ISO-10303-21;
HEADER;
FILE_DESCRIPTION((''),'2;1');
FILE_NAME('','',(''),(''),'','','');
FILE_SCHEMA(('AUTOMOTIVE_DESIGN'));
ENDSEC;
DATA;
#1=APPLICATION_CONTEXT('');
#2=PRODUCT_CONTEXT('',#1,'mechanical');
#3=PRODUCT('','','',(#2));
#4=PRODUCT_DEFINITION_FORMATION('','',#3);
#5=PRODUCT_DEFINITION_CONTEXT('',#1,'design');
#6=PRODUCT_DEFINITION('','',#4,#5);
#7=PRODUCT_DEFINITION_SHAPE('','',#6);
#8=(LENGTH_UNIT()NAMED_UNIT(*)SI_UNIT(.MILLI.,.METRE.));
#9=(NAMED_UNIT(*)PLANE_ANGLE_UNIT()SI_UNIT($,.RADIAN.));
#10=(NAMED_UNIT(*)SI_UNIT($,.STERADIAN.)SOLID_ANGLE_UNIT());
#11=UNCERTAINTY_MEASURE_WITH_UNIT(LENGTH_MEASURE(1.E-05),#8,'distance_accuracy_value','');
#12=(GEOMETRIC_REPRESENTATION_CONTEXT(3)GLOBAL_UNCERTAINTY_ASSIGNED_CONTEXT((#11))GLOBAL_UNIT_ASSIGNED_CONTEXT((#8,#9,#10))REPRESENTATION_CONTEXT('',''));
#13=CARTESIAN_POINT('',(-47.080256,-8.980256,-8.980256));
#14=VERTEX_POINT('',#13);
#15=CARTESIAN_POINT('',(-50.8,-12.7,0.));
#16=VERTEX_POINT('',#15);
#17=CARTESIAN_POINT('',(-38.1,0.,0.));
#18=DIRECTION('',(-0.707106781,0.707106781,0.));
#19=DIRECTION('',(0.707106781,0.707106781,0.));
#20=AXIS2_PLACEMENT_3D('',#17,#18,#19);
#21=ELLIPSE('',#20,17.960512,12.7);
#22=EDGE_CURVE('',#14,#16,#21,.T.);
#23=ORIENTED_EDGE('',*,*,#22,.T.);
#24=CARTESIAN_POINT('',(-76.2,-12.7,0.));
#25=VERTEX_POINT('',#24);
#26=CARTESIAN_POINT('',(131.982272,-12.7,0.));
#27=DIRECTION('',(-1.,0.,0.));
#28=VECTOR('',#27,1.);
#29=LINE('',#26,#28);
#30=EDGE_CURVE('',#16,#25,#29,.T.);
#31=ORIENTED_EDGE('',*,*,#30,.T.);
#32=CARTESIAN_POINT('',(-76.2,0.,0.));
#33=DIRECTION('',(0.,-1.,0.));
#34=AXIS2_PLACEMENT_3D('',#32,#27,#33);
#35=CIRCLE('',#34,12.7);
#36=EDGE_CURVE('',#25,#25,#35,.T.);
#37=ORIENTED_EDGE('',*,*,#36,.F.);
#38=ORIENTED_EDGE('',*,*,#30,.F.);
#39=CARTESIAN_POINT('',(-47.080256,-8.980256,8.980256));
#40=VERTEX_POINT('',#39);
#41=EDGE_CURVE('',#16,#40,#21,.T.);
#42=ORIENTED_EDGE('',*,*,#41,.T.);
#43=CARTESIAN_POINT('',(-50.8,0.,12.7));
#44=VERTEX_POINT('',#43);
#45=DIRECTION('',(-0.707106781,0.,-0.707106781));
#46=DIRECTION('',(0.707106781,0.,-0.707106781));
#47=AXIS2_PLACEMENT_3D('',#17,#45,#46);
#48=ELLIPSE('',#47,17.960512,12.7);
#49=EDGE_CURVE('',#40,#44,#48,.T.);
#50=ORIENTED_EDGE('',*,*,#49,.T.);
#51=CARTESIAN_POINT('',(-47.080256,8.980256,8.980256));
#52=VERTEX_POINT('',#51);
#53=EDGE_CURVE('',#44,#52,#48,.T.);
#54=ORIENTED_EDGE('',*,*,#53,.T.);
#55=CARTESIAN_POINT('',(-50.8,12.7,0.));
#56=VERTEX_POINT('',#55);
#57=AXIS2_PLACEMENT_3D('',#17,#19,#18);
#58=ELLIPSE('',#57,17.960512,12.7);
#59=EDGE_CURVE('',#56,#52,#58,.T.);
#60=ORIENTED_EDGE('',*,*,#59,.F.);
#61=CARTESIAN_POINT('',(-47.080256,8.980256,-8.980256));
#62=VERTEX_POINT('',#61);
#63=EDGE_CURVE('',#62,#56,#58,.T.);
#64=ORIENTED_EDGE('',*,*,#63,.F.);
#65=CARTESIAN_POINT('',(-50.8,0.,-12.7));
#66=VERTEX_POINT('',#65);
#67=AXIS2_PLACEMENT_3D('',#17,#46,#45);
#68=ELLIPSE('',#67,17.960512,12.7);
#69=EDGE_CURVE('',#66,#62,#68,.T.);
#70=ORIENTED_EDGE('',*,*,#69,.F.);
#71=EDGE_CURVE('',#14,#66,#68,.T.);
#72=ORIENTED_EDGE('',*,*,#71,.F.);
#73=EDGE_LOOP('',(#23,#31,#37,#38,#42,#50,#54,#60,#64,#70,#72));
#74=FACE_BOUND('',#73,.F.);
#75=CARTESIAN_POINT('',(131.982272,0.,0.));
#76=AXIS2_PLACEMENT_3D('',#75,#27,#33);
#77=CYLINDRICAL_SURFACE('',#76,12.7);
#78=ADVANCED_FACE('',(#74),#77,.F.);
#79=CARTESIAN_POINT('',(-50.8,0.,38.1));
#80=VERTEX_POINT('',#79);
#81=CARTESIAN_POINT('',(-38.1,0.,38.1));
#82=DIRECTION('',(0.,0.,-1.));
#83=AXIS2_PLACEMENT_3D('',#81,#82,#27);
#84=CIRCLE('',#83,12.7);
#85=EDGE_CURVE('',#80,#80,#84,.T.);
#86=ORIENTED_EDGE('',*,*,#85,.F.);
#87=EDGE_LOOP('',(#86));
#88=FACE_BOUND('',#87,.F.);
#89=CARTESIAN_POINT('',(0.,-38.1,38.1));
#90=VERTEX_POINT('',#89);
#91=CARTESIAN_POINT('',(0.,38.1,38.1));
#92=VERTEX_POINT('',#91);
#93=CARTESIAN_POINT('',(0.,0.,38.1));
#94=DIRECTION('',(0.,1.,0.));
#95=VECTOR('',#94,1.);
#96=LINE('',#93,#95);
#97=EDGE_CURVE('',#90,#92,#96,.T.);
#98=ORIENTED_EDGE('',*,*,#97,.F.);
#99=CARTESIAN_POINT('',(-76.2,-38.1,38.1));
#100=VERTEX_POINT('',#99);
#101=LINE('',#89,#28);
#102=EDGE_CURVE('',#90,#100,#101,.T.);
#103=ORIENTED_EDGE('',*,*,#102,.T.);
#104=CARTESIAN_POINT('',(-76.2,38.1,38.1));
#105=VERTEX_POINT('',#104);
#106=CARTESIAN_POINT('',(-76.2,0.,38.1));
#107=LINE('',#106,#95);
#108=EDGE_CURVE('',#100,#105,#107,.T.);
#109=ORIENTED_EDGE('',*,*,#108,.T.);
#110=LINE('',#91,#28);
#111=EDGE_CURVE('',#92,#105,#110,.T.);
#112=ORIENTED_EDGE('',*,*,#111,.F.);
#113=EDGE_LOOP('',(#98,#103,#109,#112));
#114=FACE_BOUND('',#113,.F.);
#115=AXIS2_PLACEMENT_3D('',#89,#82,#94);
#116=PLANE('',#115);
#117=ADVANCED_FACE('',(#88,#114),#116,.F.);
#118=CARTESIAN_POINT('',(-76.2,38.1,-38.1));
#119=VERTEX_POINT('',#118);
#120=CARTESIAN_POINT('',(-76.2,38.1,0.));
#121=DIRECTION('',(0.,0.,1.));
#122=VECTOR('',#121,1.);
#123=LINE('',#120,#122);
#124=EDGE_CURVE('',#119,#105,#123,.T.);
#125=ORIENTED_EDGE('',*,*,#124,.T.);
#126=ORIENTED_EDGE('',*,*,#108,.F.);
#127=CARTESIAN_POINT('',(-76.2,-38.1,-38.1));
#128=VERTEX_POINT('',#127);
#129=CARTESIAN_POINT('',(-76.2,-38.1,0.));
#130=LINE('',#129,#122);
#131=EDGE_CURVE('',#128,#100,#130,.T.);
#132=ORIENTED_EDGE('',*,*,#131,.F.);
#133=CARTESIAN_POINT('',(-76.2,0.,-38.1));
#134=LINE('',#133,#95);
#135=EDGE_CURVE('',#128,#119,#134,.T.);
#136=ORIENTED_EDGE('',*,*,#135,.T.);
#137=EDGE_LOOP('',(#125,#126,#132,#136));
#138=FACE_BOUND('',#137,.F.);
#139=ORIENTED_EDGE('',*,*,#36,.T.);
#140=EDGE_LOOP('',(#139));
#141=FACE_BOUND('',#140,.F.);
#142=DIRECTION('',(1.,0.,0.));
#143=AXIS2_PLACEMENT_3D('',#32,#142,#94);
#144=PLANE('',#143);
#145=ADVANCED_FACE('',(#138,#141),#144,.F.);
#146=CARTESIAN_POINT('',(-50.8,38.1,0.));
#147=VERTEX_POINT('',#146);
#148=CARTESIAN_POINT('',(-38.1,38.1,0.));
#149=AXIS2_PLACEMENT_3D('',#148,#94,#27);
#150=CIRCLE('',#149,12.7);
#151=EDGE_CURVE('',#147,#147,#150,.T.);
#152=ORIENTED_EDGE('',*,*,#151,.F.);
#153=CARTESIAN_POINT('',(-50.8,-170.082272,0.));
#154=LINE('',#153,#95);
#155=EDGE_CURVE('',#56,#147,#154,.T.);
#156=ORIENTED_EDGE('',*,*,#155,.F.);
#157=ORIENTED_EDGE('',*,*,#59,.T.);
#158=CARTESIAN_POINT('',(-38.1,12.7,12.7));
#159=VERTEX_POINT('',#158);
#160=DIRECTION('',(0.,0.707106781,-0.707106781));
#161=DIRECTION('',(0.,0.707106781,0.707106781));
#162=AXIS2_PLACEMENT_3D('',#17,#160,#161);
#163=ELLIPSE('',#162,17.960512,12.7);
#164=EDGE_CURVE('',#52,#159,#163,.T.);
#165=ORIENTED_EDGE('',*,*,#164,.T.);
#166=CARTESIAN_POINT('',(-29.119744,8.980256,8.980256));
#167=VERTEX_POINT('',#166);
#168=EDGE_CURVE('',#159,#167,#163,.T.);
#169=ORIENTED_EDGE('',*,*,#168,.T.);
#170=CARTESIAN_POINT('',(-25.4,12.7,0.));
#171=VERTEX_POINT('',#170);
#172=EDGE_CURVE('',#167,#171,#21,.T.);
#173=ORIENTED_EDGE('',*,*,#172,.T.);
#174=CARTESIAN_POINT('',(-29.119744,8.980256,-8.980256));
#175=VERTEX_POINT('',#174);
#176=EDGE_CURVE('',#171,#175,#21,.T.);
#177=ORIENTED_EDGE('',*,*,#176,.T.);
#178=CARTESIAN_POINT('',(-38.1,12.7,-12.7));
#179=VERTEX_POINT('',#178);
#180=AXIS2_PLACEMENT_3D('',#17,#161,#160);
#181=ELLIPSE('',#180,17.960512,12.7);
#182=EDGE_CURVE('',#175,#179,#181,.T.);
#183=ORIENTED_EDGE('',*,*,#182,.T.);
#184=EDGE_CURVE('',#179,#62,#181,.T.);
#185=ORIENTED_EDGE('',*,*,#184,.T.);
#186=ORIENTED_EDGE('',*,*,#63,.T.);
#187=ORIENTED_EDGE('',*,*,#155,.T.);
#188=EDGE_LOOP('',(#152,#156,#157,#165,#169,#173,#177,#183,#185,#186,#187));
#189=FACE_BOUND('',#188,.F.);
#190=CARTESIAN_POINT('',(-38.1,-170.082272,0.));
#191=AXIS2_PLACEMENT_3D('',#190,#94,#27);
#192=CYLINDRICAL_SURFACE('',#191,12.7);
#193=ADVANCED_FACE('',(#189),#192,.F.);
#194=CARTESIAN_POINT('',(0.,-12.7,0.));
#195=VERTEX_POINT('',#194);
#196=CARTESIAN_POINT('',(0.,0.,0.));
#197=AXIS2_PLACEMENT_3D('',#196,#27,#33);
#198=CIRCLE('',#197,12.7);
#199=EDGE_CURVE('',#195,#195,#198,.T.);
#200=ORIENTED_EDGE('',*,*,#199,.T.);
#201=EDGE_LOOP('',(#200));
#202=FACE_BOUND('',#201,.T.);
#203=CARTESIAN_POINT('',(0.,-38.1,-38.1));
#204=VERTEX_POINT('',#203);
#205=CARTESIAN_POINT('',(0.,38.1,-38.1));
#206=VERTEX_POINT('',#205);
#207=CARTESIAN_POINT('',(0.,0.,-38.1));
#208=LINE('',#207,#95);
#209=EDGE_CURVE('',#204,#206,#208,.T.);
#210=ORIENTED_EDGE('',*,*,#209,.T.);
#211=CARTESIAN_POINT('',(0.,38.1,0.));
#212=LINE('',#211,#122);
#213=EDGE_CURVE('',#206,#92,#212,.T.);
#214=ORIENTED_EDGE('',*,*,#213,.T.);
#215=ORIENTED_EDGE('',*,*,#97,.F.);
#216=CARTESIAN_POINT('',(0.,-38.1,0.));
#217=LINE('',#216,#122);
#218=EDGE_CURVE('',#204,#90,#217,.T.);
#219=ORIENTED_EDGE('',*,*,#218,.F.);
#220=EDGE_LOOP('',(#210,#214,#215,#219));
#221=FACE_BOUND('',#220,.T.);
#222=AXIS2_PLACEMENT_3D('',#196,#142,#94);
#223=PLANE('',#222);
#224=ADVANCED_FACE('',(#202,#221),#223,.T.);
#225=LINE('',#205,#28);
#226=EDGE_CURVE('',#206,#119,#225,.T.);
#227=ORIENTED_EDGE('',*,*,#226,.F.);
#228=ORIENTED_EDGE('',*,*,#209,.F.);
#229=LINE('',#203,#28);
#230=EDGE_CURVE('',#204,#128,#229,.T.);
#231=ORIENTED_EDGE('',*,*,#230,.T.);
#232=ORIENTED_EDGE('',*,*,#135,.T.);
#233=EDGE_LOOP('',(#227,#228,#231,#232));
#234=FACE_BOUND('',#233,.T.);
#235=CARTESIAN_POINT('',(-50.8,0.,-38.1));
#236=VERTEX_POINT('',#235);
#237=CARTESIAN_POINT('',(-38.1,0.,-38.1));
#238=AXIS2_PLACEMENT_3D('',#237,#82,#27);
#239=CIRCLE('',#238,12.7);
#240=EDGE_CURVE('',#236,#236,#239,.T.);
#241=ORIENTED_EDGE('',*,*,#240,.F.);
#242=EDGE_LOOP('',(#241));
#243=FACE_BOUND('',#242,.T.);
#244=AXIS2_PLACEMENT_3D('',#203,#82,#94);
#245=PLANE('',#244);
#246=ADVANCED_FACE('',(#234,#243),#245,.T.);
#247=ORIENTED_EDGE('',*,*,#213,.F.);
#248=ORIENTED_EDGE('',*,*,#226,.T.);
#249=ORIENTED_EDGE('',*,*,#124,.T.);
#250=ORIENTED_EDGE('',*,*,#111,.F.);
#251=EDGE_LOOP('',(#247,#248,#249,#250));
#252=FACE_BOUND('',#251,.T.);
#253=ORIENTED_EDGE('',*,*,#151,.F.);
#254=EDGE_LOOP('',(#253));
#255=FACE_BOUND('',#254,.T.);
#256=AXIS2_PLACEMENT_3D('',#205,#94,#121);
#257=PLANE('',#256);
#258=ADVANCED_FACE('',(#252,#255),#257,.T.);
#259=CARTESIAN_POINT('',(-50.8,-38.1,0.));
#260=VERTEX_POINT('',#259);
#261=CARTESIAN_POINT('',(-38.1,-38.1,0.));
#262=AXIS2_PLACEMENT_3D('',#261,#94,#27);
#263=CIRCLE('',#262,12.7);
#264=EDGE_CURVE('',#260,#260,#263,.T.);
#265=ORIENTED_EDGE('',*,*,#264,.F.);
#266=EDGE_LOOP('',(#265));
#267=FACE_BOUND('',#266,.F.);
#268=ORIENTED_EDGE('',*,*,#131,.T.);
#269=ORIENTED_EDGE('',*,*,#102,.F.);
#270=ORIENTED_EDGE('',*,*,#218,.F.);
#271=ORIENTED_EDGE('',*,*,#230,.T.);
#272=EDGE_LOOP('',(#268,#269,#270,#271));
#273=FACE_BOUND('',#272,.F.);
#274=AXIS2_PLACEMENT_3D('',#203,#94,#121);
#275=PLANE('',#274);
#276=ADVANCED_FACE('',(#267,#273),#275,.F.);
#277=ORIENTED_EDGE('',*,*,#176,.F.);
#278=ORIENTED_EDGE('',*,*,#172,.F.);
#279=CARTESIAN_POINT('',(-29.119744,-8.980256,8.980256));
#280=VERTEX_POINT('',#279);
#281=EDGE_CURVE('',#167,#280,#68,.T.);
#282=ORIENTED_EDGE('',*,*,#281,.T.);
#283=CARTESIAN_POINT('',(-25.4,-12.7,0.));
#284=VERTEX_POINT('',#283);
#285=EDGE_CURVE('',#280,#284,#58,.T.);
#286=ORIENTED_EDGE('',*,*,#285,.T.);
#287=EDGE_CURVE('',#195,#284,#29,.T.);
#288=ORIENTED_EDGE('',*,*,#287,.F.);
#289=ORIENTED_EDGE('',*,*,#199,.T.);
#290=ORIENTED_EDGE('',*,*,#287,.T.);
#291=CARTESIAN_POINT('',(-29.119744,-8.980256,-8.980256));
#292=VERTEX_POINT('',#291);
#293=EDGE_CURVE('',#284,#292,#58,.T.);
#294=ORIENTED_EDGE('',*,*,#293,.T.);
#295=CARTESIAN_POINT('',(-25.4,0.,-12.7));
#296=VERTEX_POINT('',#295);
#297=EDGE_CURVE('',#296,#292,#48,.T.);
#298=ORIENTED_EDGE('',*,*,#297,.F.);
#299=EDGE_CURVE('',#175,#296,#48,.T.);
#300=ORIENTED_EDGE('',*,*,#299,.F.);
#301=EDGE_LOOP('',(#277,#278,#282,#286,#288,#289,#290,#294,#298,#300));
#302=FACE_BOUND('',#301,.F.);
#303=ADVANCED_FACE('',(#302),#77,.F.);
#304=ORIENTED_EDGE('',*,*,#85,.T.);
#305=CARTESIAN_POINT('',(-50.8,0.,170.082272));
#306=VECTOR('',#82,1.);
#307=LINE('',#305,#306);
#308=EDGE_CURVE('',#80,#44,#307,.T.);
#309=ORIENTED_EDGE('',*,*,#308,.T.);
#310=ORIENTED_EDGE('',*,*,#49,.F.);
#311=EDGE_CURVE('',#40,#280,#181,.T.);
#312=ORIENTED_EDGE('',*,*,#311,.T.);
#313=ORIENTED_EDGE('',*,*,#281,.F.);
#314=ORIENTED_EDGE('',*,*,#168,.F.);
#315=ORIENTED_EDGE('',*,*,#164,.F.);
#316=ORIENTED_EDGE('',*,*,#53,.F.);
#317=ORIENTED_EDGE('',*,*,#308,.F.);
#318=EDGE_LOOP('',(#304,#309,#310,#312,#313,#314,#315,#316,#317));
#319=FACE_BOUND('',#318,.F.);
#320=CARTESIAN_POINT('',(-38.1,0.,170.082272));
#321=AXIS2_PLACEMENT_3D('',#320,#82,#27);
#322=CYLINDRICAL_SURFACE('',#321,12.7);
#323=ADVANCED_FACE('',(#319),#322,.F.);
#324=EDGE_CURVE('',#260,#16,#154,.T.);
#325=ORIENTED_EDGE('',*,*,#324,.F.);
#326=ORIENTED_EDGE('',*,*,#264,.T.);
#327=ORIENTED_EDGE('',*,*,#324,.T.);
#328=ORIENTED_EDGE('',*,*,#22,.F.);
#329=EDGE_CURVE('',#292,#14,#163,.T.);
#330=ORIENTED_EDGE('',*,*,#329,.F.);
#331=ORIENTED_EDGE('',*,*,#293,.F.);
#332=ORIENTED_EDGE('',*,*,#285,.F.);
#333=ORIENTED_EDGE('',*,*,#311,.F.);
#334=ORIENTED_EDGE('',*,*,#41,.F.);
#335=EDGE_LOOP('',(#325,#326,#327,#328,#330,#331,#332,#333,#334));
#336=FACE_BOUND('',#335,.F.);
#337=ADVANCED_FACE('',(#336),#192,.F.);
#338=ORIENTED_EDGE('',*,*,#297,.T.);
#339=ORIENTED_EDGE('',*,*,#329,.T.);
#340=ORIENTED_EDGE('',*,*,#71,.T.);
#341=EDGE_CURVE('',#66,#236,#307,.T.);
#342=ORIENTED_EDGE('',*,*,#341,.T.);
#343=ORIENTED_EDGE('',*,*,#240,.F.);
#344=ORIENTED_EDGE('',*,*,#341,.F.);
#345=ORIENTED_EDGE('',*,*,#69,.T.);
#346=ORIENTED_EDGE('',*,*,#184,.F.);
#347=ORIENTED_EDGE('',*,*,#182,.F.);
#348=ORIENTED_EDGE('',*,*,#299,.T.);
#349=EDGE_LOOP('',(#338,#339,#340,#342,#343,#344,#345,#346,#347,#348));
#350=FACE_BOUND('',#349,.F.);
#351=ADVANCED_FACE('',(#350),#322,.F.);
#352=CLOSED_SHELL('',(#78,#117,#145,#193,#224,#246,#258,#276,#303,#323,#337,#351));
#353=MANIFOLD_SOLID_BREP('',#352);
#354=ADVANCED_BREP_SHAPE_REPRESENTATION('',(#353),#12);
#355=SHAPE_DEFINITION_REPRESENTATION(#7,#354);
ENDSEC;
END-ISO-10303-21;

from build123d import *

# Parameters (mm, degrees)
F6_W     = 76.2
F6_H     = 76.2
F0_DEPTH = 76.2
F1_D     = 25.4
F8_D     = 25.4
F4_D     = 25.4


with BuildPart() as f0:
    # F6 (on Right) → F0 (new body)
    with BuildSketch(Plane.YZ):
        Rectangle(F6_W, F6_H)
    extrude(amount=-F0_DEPTH)

    # F1 (through all)
    with Locations(Plane.XZ.offset(38.1)):
        with Locations((-38.1, 0)):
            Hole(F1_D / 2)

    # F8 (through all)
    with Locations(Plane.XY.offset(38.1)):
        with Locations((-38.1, 0)):
            Hole(F8_D / 2)

    # F4 (through all)
    with Locations(Plane.YZ):
        with Locations((0, 0)):
            Hole(F4_D / 2)


solid = f0.part
